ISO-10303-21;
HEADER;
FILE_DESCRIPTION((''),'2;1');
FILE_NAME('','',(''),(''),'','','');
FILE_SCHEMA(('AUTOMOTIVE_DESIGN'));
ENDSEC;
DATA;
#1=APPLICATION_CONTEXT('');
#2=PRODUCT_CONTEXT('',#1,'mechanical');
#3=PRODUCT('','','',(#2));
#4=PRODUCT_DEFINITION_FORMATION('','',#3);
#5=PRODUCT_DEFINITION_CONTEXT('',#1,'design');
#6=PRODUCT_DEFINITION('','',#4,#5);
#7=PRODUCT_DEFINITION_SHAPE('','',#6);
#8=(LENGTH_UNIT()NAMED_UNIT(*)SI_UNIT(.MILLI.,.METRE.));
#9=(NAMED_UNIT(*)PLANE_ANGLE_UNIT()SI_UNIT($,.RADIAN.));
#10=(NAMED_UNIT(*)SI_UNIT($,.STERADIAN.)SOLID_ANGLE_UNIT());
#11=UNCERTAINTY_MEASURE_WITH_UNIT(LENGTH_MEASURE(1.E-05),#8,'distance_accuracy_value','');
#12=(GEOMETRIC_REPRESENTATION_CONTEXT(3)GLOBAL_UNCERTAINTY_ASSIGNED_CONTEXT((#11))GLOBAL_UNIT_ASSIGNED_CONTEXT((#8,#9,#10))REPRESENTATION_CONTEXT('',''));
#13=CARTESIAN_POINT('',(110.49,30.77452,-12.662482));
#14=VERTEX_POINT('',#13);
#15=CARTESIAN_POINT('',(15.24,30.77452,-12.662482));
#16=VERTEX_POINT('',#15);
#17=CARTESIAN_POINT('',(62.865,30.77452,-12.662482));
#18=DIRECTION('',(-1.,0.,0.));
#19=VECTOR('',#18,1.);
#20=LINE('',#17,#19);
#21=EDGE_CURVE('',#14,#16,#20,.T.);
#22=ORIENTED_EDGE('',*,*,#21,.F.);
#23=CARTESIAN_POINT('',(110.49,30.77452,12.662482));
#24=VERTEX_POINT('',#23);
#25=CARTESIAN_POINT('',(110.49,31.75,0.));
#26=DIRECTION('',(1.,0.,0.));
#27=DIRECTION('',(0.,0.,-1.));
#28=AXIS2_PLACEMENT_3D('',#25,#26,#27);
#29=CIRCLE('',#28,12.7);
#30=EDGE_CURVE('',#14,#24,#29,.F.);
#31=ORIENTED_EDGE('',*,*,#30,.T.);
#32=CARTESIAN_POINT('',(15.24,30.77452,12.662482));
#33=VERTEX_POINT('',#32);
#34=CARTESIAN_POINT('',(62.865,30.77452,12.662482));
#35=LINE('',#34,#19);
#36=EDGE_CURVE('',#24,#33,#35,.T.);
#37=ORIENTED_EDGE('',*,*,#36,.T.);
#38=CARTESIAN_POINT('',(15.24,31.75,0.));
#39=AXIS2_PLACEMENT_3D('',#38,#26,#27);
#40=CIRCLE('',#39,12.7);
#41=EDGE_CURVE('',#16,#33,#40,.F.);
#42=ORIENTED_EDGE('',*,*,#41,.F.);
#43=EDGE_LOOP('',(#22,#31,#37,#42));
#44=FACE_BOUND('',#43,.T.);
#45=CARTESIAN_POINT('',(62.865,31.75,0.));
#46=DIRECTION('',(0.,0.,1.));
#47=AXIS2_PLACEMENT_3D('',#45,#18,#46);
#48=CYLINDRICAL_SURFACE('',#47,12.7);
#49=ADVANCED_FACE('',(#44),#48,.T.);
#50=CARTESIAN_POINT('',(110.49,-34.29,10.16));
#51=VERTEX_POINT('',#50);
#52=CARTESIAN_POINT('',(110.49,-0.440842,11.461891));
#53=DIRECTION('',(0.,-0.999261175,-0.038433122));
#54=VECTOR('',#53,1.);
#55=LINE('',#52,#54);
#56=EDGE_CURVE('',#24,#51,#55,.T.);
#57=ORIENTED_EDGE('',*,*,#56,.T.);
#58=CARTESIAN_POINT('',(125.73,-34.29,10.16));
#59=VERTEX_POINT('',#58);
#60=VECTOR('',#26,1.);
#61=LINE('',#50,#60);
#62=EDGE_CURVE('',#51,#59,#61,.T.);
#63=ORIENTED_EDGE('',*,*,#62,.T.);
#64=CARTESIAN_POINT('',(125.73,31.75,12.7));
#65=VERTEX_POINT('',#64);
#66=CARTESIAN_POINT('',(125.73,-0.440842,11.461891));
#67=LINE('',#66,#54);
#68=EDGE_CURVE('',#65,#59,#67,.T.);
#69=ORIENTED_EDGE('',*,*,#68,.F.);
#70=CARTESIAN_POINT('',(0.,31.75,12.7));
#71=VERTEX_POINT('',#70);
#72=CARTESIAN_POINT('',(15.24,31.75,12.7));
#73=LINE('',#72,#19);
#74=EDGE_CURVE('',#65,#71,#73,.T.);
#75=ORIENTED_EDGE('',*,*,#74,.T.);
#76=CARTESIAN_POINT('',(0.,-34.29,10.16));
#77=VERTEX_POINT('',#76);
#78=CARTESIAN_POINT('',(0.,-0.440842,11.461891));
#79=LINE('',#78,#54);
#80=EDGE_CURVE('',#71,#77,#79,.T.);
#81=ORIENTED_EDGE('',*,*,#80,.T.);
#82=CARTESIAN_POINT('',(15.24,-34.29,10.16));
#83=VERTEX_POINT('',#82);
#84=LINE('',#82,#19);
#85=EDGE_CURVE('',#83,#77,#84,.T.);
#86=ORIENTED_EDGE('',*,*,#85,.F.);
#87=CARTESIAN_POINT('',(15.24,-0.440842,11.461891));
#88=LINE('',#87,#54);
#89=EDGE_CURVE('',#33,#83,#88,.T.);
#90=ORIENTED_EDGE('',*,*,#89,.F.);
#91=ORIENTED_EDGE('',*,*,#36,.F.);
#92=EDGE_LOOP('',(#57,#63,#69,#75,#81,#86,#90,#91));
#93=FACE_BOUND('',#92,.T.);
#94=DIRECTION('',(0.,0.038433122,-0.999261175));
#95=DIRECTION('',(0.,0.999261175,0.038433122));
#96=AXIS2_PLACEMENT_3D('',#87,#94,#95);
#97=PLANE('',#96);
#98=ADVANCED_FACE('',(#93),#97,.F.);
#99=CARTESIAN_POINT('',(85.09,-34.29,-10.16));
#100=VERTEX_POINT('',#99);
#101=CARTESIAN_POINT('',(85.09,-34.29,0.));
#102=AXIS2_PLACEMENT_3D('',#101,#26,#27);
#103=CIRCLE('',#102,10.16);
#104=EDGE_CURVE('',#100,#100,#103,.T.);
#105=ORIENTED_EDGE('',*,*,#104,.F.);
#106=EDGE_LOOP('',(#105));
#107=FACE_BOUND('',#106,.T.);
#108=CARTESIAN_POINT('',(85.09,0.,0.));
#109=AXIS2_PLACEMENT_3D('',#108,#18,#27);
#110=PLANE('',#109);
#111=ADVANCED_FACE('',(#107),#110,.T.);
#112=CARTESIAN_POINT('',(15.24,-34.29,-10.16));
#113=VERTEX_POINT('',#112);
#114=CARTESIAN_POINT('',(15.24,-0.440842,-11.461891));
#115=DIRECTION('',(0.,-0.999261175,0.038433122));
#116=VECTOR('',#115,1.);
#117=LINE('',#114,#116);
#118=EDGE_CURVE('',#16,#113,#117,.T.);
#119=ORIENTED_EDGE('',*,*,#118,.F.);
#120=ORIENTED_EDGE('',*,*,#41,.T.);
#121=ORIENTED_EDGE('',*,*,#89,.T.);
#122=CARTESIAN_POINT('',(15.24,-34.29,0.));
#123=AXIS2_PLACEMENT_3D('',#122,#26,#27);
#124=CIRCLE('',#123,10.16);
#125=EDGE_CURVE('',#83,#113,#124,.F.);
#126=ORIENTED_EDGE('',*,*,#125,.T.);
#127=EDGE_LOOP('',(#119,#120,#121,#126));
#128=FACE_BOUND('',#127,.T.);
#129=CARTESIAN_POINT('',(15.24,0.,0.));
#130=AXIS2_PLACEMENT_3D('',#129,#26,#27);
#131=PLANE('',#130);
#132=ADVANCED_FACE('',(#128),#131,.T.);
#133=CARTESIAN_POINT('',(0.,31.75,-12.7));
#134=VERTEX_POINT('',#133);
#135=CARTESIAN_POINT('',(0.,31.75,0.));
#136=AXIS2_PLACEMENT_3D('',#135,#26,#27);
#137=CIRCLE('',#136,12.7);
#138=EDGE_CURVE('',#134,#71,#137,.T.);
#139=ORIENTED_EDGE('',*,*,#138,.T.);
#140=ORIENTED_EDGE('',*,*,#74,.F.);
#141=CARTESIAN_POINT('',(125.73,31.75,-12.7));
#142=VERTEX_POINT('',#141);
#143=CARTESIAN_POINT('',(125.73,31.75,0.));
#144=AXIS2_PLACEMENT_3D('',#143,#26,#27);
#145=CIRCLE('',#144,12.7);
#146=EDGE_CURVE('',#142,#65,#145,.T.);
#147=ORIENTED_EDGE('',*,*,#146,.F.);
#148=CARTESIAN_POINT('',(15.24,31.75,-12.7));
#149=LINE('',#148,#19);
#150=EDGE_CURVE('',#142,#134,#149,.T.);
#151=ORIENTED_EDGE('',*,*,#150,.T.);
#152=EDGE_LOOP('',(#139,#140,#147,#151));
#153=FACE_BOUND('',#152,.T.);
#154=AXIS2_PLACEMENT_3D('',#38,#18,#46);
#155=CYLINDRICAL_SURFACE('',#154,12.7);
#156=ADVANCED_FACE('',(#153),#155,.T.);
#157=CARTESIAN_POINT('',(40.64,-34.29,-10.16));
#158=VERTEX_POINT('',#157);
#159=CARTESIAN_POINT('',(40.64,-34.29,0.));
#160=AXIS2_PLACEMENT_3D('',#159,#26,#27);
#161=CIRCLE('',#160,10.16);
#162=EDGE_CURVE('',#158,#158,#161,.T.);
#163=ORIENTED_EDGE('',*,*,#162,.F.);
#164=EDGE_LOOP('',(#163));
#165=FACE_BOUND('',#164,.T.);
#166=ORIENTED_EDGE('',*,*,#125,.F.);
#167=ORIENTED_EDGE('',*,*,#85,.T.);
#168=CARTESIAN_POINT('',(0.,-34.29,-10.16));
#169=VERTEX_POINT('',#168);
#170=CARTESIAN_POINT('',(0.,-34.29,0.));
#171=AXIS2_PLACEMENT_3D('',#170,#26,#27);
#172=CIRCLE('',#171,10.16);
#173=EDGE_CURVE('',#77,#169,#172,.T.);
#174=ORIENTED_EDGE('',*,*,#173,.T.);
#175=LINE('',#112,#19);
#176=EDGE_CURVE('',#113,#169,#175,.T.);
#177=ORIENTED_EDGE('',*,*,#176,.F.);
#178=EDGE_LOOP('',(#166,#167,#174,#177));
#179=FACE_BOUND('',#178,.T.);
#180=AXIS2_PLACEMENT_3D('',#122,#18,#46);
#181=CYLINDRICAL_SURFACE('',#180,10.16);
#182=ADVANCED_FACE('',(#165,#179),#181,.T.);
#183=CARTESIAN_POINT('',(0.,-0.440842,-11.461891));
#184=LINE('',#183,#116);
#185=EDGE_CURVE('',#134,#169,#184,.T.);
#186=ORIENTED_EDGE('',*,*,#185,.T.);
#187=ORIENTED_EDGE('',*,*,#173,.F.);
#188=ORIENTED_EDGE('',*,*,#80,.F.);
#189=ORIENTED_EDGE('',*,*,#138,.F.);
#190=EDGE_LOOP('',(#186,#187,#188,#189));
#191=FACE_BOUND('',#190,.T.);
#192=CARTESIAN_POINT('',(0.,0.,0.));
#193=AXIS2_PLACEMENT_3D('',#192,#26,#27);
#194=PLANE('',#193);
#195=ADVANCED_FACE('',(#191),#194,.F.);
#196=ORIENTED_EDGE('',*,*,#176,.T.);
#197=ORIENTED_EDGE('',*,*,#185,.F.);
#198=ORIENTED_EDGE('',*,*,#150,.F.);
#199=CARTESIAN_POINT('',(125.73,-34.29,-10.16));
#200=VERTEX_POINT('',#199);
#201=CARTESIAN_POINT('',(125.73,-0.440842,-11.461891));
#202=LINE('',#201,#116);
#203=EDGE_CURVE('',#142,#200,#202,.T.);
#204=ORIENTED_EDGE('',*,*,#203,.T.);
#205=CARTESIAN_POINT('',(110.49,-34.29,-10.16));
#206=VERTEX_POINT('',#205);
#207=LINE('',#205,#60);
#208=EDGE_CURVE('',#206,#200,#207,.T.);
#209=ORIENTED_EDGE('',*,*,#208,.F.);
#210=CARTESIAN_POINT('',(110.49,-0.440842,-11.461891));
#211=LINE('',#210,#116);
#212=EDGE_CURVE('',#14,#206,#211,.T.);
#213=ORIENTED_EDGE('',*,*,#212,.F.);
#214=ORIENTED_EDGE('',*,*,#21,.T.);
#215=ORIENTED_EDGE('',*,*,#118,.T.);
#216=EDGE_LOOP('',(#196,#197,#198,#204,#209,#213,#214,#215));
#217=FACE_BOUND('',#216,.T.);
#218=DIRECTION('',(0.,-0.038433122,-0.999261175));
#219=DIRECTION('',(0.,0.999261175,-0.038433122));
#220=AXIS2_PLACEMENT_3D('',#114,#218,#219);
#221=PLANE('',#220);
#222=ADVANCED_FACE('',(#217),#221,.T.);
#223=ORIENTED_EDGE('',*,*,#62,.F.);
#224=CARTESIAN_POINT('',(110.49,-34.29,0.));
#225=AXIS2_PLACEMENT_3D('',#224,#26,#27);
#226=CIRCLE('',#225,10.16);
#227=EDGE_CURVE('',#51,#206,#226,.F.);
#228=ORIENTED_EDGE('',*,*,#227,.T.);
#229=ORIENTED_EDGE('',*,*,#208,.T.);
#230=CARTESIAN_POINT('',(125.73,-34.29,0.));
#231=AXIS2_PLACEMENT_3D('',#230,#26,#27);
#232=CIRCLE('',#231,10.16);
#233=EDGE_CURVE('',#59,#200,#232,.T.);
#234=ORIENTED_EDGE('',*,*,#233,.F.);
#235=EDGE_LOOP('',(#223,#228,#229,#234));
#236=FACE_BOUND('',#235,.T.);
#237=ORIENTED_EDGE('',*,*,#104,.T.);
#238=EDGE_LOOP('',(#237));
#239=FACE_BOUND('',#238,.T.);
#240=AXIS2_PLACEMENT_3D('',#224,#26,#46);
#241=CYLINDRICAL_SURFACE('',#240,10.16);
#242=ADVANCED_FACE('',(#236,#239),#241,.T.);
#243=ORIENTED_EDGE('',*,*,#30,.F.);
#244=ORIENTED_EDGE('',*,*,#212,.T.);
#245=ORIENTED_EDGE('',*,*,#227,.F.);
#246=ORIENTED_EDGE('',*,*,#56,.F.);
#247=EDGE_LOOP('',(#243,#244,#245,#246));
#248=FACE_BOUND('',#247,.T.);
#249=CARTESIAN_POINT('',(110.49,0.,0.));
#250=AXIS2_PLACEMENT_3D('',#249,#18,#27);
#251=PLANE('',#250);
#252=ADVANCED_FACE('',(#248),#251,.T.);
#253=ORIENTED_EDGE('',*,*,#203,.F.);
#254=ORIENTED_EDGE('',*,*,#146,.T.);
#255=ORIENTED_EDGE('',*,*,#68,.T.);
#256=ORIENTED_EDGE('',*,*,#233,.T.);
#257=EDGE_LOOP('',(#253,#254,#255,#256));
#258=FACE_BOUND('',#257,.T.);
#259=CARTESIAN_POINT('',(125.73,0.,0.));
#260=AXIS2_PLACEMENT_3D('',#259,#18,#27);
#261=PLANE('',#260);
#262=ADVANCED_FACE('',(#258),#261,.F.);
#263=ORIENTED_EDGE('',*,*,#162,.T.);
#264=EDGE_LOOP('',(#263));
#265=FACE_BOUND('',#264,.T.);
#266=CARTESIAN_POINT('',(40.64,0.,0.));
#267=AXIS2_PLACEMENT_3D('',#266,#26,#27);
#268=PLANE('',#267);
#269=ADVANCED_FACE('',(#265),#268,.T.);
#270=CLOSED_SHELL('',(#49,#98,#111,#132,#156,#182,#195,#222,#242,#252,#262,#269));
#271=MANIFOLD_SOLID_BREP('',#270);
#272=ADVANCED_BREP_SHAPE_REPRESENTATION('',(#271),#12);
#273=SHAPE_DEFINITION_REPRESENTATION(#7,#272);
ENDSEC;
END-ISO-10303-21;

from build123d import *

# Parameters (mm, degrees)
BOSS_EXTRUDE4_DEPTH = 15.24
BOSS_EXTRUDE5_DEPTH = 62.865
SKETCH2_11_R        = 10.16
BOSS_EXTRUDE6_DEPTH = 40.64


with BuildPart() as part:
    # Sketch2 → Boss-Extrude4 (new body)
    with BuildSketch(Plane(origin=(0, 0, 0), x_dir=(0, 0, -1), z_dir=(1, 0, 0))):
        with BuildLine():
            Line((10.16, -34.29), (12.7, 31.75))
            ThreePointArc((12.7, 31.75), (0, 44.45), (-12.7, 31.75))
            Line((-12.7, 31.75), (-10.16, -34.29))
            ThreePointArc((-10.16, -34.29), (0, -44.45), (10.16, -34.29))
        make_face()
    extrude(amount=BOSS_EXTRUDE4_DEPTH)

    # Sketch2<9> → Boss-Extrude5 (add)
    with BuildSketch(Plane(origin=(0, 0, 0), x_dir=(0, 0, -1), z_dir=(1, 0, 0))):
        with BuildLine():
            Line((12.662481536, 30.774519941), (12.7, 31.75))
            ThreePointArc((12.7, 31.75), (8.98025611, 40.730256132), (-3e-08, 44.45))
            ThreePointArc((-3e-08, 44.45), (-8.980256132, 40.73025611), (-12.7, 31.75))
            Line((-12.7, 31.75), (-12.662481536, 30.774519941))
            ThreePointArc((-12.662481536, 30.774519941), (0, 19.05), (12.662481536, 30.774519941))
        make_face()
    extrude(amount=BOSS_EXTRUDE5_DEPTH)

    # Sketch2<11> → Boss-Extrude6 (add)
    with BuildSketch(Plane(origin=(0, 0, 0), x_dir=(0, 0, -1), z_dir=(1, 0, 0))):
        with Locations((0, -34.29)):
            Circle(SKETCH2_11_R)
    extrude(amount=BOSS_EXTRUDE6_DEPTH)

    # Mirror1: part across plane


with BuildPart() as part_1:
    add(part.part)
    add(part.part.mirror(Plane(origin=(62.865, 0, 0), x_dir=(0, 0, 1), z_dir=(1, 0, 0))))


solid = part_1.part
